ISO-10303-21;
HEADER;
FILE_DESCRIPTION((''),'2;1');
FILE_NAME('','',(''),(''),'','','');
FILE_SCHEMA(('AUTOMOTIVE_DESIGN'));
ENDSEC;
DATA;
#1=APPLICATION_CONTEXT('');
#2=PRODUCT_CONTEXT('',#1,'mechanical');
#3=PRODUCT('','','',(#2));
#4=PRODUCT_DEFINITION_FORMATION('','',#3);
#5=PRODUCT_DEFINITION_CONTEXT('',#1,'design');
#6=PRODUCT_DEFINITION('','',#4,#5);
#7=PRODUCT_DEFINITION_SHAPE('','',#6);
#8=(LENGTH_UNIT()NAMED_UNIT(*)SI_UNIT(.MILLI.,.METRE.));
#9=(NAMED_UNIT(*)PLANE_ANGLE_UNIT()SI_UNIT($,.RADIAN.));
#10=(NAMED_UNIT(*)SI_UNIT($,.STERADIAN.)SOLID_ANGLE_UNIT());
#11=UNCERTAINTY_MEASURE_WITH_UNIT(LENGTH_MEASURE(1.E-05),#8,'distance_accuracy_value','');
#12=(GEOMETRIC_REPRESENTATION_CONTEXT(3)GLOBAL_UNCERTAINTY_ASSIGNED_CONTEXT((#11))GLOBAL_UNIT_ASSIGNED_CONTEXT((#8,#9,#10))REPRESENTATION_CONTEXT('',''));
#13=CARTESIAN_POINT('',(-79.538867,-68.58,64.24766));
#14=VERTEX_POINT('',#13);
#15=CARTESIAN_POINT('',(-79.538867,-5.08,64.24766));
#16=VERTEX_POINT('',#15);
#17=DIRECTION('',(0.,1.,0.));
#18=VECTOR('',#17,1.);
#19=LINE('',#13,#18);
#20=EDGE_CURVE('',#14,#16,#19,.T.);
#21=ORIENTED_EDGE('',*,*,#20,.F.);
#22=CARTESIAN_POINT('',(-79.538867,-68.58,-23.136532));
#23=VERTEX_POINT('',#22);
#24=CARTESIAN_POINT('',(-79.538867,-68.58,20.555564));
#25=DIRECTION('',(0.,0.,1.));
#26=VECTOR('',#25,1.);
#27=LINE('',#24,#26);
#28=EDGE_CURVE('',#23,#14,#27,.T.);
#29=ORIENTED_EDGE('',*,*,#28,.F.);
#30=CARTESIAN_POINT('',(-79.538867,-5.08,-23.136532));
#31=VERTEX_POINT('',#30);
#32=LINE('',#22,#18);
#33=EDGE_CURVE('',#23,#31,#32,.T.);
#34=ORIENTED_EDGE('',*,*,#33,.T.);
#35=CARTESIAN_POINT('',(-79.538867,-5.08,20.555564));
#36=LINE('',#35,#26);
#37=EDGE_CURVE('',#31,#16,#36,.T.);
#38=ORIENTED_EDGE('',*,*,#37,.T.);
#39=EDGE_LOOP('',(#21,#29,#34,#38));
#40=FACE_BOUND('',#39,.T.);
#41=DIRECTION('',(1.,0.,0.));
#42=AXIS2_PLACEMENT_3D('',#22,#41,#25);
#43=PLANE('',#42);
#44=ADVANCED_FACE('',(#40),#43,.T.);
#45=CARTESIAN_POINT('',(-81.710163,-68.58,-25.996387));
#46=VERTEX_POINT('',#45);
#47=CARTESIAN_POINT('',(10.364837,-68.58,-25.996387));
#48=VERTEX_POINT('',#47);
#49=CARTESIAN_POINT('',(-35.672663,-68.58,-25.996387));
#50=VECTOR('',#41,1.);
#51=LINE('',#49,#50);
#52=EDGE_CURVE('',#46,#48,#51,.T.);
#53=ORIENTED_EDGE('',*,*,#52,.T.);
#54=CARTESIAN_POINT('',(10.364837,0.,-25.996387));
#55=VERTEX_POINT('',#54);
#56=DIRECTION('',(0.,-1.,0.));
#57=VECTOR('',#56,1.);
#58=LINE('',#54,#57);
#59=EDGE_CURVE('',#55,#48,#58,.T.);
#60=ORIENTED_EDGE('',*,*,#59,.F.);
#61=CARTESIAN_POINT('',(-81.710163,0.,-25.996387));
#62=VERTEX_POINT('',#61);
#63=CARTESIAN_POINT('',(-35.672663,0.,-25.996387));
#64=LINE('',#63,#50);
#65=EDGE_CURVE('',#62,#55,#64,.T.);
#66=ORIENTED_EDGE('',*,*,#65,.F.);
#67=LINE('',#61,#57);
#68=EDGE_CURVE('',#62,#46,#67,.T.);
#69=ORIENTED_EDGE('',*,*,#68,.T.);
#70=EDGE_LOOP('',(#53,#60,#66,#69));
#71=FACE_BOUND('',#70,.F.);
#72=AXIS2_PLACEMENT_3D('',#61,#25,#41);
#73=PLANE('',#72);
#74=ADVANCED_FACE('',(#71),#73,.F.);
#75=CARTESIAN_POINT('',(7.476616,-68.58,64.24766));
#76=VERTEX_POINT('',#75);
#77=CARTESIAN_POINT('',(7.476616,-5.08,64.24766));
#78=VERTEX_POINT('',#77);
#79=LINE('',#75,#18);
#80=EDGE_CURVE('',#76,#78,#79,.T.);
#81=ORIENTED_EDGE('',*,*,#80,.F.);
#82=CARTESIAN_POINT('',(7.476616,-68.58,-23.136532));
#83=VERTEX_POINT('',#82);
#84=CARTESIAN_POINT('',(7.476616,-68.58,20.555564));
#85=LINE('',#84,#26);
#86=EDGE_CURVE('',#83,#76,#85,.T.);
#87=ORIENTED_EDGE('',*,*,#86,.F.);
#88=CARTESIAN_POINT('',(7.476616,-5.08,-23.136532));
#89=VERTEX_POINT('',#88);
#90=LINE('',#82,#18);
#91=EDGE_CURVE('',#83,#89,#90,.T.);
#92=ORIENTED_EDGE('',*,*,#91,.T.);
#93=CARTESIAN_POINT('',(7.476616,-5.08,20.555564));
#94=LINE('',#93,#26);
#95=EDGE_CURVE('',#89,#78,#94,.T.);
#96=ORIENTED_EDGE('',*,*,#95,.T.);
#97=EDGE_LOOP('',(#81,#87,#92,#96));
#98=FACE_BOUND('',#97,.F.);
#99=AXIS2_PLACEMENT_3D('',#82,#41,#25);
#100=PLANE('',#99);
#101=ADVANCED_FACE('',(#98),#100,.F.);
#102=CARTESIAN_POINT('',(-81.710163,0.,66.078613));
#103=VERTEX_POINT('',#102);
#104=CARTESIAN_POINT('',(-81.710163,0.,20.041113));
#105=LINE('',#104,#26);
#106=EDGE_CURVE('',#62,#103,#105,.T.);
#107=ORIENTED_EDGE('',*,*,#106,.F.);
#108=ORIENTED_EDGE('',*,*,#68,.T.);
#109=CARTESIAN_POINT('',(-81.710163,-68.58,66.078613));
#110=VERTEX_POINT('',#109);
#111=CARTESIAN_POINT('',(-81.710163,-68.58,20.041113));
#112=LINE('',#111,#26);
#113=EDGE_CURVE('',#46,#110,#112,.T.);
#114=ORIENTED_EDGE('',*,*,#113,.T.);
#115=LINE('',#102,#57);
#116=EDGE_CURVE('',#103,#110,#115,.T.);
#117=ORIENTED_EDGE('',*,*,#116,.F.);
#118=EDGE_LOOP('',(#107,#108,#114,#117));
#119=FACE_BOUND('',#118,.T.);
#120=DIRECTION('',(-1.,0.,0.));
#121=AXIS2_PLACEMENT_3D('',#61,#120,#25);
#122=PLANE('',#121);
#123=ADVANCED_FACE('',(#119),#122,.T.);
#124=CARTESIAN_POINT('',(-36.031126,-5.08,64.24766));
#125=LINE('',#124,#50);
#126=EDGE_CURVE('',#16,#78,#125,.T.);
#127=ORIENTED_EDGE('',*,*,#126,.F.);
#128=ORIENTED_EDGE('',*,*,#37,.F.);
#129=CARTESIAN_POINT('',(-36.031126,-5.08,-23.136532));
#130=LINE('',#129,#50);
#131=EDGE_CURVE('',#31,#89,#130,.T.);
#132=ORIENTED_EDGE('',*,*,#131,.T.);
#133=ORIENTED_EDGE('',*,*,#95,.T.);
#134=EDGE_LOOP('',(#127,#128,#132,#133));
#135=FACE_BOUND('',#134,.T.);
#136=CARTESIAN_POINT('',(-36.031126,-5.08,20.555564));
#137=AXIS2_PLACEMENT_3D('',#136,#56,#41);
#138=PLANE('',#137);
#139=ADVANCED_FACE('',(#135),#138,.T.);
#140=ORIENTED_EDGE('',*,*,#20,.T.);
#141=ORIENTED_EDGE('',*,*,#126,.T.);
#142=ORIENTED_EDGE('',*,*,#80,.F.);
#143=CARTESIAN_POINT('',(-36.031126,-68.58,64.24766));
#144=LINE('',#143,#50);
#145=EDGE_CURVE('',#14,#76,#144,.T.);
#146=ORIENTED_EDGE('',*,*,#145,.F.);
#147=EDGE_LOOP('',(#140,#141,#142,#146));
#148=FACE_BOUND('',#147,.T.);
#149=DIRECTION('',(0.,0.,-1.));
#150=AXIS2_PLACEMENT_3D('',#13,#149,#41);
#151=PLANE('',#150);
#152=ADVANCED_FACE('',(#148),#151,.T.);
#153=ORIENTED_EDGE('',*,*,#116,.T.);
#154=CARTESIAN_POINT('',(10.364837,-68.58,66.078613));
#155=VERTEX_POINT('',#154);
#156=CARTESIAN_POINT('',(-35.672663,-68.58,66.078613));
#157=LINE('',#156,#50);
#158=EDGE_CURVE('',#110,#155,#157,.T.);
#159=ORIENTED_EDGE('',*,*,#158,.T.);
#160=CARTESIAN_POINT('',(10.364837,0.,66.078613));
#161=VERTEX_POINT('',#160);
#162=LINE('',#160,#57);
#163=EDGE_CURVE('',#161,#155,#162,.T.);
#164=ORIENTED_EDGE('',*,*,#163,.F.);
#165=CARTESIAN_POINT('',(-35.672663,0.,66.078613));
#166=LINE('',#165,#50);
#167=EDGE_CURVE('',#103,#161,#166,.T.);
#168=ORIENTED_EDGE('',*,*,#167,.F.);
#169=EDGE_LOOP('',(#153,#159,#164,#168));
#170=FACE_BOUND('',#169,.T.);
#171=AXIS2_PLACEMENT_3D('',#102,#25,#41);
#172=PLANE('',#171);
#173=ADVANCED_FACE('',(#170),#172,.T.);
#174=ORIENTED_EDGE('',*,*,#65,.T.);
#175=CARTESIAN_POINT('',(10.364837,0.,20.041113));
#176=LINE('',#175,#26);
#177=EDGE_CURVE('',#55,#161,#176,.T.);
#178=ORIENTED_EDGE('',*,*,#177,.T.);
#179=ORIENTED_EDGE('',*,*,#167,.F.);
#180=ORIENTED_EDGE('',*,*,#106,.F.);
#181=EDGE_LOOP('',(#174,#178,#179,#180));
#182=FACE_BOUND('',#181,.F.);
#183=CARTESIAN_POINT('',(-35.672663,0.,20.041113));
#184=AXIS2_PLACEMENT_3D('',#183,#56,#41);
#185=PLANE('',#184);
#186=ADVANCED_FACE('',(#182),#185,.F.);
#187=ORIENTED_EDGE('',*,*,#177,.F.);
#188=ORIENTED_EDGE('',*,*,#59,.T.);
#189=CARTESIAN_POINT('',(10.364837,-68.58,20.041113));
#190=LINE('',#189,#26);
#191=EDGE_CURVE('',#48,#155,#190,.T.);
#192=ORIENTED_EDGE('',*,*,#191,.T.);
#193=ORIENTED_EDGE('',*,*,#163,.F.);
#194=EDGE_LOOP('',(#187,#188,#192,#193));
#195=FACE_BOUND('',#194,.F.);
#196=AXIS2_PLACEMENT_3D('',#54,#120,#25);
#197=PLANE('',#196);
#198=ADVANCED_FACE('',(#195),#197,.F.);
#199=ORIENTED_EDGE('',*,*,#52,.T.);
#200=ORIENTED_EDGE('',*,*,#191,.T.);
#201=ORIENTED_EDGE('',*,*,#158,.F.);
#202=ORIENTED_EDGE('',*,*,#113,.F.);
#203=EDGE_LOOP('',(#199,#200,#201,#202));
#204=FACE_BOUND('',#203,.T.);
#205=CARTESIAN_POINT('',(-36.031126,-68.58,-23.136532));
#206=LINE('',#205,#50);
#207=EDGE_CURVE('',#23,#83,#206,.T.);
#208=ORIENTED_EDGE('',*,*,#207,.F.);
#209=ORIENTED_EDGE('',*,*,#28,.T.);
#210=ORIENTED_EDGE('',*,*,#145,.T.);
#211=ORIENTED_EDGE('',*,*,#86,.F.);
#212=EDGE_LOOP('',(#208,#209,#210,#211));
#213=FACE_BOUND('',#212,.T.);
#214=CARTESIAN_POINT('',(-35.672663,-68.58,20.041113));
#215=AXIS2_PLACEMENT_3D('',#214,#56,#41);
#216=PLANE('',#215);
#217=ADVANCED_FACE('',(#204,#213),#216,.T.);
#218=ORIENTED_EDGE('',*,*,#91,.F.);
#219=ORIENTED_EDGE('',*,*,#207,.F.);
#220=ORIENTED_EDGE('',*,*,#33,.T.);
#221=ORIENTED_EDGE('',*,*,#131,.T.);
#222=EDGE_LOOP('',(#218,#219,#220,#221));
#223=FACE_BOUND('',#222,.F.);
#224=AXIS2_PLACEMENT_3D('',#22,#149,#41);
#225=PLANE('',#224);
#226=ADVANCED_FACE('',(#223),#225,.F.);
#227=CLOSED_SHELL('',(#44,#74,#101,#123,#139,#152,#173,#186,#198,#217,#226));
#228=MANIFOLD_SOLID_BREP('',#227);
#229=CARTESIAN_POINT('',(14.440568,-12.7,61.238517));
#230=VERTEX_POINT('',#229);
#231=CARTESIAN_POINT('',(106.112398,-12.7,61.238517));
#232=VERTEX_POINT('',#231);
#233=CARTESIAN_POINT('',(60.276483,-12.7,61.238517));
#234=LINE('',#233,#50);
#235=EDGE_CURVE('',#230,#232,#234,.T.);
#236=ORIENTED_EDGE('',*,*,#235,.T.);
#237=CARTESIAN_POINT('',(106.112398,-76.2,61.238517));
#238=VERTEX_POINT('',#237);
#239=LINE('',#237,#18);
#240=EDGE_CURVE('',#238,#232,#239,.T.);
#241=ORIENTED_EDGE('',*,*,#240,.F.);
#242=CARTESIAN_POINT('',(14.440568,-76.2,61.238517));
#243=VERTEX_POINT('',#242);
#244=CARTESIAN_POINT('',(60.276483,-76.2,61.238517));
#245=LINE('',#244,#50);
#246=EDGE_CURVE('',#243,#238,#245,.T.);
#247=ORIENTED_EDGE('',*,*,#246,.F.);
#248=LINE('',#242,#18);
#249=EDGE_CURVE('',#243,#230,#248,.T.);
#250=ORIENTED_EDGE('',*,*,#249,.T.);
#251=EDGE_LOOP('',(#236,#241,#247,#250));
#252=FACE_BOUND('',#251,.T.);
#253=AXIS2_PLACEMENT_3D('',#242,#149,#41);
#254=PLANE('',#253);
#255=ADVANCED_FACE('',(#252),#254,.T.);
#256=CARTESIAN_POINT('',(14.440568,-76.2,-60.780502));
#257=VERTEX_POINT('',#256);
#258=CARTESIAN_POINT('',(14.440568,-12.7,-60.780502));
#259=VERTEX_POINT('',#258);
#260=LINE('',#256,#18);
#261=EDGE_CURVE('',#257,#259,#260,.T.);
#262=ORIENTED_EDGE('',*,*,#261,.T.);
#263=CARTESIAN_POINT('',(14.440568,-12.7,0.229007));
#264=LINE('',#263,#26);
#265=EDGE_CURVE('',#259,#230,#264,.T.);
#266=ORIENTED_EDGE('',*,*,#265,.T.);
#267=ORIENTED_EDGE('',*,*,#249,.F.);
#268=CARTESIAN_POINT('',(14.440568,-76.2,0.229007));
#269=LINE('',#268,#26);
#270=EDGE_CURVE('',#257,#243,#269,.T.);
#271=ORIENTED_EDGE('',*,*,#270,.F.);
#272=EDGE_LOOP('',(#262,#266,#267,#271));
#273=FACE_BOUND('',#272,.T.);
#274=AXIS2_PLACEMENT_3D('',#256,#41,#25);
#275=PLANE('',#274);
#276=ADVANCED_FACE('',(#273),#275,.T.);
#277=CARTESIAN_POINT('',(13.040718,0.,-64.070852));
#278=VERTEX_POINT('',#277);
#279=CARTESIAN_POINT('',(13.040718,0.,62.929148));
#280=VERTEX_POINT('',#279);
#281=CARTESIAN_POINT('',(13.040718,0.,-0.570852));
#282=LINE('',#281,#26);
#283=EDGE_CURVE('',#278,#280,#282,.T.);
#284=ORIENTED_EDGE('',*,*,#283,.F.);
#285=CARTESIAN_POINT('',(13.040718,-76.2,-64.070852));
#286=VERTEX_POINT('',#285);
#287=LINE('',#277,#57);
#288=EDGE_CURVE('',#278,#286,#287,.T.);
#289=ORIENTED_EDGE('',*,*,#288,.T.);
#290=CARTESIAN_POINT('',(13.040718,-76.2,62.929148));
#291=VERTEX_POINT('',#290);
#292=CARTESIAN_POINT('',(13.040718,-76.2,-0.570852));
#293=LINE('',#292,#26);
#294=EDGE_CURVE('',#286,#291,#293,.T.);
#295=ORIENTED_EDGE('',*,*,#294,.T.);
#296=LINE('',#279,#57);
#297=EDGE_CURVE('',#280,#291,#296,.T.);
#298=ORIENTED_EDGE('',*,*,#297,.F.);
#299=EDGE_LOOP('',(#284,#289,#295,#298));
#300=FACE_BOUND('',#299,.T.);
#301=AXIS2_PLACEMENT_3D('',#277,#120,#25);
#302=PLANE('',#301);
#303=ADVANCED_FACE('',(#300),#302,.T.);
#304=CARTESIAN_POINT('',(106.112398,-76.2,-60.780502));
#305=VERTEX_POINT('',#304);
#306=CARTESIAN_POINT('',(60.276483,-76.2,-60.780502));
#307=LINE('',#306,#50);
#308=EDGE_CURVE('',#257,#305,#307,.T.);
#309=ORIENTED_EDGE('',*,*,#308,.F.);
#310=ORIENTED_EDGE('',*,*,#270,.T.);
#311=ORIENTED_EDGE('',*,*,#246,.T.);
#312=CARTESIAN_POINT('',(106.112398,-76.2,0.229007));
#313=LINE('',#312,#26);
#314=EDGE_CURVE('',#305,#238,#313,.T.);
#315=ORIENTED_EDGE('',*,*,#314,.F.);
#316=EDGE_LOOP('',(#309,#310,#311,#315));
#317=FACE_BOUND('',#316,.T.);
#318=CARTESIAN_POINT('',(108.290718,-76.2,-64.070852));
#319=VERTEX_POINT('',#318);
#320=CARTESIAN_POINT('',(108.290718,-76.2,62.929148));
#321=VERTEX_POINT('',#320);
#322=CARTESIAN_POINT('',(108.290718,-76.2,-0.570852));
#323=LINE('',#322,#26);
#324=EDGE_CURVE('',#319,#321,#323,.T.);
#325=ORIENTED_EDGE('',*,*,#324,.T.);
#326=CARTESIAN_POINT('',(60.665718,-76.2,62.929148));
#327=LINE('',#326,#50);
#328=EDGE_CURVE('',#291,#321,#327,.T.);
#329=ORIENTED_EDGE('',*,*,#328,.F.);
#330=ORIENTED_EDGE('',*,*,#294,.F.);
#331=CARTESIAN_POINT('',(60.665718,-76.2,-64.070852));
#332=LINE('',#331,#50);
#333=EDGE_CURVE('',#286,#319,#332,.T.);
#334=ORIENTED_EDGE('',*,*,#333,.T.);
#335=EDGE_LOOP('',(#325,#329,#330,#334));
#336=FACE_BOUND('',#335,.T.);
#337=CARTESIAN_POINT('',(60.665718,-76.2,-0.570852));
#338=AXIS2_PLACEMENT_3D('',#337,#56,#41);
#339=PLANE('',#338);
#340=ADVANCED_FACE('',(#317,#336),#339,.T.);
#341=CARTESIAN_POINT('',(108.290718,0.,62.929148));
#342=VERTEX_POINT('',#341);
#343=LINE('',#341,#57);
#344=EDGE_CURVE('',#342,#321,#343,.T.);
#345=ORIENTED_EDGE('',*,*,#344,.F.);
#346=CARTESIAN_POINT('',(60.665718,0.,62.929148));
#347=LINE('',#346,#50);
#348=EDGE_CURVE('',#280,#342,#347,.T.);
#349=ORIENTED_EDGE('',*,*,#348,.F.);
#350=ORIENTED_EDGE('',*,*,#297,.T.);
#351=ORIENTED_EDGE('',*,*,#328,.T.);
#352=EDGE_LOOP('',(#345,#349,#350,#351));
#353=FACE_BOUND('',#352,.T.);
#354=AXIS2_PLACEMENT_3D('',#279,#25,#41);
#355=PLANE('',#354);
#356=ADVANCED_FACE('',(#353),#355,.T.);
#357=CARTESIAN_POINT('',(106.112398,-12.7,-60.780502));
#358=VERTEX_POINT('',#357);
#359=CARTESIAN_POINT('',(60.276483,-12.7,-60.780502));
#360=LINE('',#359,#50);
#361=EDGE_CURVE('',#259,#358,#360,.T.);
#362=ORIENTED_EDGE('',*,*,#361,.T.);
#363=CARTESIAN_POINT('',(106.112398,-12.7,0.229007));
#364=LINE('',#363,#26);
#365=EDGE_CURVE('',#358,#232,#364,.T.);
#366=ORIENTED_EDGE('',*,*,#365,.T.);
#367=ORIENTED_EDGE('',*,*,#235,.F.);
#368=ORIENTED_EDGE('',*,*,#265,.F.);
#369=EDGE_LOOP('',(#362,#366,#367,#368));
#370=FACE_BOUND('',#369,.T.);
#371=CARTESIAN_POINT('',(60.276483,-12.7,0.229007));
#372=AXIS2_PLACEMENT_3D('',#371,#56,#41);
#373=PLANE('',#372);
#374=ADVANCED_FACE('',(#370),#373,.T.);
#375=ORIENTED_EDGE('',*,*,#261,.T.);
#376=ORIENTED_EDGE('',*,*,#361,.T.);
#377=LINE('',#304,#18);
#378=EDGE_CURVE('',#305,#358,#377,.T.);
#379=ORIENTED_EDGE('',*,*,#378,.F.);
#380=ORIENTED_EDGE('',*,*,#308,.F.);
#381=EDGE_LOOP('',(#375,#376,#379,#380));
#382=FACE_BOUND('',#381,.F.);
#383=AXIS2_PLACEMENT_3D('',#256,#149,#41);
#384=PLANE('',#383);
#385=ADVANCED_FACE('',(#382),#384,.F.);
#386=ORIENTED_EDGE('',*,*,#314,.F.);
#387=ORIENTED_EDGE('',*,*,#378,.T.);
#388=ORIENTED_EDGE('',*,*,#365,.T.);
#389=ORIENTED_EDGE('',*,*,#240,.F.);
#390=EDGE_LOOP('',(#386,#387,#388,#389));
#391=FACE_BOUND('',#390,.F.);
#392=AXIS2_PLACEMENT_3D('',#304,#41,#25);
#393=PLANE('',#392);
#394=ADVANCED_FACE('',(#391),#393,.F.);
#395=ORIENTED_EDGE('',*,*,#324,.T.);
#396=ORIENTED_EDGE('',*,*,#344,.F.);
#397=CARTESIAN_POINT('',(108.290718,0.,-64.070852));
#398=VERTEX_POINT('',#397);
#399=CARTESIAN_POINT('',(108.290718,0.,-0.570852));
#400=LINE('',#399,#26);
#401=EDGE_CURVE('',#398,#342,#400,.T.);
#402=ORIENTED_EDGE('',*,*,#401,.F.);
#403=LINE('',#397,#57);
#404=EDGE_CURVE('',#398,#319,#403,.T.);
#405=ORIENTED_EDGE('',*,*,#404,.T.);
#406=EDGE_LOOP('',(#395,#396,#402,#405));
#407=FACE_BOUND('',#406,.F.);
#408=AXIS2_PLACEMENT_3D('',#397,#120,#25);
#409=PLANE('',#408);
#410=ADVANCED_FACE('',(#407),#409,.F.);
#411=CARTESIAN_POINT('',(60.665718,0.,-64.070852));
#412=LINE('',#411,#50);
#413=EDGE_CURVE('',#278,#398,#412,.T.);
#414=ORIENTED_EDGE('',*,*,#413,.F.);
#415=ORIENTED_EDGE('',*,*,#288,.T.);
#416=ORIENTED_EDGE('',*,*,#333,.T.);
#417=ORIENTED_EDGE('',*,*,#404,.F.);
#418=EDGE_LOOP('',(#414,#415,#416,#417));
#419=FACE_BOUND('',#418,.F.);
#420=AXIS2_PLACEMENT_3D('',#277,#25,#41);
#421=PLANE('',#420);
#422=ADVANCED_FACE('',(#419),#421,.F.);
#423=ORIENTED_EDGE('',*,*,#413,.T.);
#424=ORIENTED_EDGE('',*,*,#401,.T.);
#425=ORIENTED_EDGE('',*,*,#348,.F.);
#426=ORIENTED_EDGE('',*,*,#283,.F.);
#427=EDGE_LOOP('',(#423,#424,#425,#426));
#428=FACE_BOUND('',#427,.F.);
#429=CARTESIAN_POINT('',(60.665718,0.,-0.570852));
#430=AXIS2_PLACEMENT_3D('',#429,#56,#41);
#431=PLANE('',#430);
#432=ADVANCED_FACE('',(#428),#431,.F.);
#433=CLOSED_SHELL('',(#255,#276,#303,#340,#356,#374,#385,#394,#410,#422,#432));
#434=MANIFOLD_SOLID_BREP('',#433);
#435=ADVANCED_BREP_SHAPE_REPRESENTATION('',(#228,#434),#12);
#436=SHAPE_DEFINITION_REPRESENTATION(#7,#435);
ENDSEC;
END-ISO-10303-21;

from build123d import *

# Parameters (mm, degrees)
F0_W     = 92.075
F0_H     = 92.075
F1_DEPTH = 68.58
F2_W     = 87.015483
F2_H     = 87.384192
F3_DEPTH = 63.5
F4_W     = 95.25
F4_H     = 127
F5_DEPTH = 76.2
F6_W     = 91.671831
F6_H     = 122.019019
F7_DEPTH = 63.5


with BuildPart() as f1:
    # F0 (on Front) → F1 (new body)
    with BuildSketch(Plane.XZ):
        with Locations((-35.672663, 20.041113)):
            Rectangle(F0_W, F0_H)
    extrude(amount=F1_DEPTH)

    # F2 (on face) → F3 (cut)
    with BuildSketch(Plane.XZ.offset(68.58)):
        with Locations((-36.031126, 20.555564)):
            Rectangle(F2_W, F2_H)
    extrude(amount=-F3_DEPTH, mode=Mode.SUBTRACT)


with BuildPart() as f5:
    # F4 (on Front) → F5 (new body)
    with BuildSketch(Plane.XZ):
        with Locations((60.665718, -0.570852)):
            Rectangle(F4_W, F4_H)
    extrude(amount=F5_DEPTH)

    # F6 (on face) → F7 (cut)
    with BuildSketch(Plane.XZ.offset(76.2)):
        with Locations((60.276483, 0.229007)):
            Rectangle(F6_W, F6_H)
    extrude(amount=-F7_DEPTH, mode=Mode.SUBTRACT)


solid = Compound([f1.part, f5.part])
